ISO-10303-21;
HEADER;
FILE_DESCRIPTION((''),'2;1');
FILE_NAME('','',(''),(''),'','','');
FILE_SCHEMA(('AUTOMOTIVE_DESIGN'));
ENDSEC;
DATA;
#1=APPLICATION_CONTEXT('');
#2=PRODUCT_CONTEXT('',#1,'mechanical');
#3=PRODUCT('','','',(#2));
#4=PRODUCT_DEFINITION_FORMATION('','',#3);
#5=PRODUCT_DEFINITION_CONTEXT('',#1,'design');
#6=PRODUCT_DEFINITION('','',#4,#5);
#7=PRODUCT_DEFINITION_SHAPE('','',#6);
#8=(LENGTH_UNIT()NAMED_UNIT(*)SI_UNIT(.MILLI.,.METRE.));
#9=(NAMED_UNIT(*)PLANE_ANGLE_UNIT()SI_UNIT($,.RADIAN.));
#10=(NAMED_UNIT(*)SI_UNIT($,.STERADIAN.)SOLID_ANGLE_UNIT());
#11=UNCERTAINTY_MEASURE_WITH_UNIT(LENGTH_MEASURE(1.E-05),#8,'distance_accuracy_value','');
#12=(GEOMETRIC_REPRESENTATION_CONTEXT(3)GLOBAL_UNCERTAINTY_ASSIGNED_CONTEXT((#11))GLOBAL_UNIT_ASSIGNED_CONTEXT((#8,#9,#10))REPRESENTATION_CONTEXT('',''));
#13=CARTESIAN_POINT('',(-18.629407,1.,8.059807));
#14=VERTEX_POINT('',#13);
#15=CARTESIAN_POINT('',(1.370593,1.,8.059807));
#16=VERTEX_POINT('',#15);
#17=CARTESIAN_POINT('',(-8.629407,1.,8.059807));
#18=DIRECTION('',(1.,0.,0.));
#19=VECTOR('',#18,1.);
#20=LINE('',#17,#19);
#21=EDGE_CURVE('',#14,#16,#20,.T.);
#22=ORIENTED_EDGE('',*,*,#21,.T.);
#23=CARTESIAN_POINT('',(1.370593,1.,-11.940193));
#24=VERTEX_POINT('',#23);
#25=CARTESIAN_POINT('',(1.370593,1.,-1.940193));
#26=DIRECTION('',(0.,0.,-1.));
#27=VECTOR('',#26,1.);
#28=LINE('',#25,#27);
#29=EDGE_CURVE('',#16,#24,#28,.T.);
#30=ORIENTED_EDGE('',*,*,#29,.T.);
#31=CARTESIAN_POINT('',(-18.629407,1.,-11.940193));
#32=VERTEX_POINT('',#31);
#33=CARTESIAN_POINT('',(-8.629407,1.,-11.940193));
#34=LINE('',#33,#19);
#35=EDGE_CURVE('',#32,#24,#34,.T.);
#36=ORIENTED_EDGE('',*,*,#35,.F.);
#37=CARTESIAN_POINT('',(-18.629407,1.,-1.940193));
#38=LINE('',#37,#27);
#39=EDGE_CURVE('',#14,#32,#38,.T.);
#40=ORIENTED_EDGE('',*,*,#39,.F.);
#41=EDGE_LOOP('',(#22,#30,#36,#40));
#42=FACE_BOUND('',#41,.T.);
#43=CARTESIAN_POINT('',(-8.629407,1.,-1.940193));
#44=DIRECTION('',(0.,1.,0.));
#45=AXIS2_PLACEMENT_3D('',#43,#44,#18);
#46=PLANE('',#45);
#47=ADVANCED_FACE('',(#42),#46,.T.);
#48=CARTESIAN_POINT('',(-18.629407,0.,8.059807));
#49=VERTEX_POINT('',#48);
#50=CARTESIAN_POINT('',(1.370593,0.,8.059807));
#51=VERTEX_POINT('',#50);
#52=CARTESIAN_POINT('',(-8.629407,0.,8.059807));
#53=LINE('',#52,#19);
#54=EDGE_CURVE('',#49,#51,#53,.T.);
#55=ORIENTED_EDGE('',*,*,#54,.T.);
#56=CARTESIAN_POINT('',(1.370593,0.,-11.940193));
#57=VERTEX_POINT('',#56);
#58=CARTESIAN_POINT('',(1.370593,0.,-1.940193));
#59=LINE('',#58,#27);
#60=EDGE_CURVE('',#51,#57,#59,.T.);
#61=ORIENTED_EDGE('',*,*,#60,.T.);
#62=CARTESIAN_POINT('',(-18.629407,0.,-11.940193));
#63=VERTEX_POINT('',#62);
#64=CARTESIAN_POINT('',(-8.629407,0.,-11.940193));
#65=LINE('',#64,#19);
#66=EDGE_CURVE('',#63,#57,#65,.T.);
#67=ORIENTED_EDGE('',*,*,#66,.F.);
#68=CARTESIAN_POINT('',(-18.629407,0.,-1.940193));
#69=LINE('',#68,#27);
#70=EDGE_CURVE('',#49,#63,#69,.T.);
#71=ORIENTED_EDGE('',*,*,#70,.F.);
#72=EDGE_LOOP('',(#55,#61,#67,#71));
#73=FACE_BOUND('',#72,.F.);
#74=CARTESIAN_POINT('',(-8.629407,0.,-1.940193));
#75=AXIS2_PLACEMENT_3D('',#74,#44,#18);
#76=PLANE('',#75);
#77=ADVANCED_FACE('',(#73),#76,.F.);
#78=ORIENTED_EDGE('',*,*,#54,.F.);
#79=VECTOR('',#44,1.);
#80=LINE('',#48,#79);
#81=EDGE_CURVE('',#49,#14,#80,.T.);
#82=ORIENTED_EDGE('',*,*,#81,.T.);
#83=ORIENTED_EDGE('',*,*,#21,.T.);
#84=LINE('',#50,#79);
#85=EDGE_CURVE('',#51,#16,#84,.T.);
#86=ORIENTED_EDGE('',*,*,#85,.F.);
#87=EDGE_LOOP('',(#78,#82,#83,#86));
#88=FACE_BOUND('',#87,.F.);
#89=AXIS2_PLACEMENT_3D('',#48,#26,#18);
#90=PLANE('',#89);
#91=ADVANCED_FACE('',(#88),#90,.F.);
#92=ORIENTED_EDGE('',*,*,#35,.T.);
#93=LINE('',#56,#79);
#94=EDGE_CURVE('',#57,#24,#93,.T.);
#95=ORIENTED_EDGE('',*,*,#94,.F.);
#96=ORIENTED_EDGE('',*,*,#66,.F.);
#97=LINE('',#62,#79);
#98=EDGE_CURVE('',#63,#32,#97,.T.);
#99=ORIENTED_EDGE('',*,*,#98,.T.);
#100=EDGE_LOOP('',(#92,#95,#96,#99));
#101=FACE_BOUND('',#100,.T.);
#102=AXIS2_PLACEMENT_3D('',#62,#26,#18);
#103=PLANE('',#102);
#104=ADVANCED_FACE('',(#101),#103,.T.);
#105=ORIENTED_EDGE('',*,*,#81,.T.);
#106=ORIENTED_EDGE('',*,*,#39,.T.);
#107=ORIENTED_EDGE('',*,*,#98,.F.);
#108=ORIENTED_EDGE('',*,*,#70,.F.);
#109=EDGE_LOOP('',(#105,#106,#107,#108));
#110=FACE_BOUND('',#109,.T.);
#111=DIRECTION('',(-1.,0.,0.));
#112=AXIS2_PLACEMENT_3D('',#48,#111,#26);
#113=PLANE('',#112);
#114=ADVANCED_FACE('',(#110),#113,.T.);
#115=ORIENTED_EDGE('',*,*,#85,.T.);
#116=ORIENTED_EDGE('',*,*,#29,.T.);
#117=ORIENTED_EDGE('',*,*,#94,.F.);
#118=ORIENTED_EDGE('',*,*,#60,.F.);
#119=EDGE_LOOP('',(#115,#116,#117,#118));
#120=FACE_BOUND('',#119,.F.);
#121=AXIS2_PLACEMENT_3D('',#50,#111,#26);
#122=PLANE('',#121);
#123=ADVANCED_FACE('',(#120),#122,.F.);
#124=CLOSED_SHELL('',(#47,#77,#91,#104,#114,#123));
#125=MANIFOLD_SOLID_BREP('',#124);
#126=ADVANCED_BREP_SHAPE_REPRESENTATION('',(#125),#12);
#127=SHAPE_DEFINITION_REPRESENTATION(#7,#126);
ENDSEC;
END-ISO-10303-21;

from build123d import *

# Parameters (mm, degrees)
SKETCH2_W           = 20
SKETCH2_H           = 20
BOSS_EXTRUDE1_DEPTH = 1


with BuildPart() as part:
    # Sketch2 → Boss-Extrude1 (new body)
    with BuildSketch(Plane(origin=(0, 0, 0), x_dir=(1, 0, 0), z_dir=(0, 1, 0))):
        with Locations((-8.629406909, 1.940192695)):
            Rectangle(SKETCH2_W, SKETCH2_H)
    extrude(amount=BOSS_EXTRUDE1_DEPTH)


solid = part.part
